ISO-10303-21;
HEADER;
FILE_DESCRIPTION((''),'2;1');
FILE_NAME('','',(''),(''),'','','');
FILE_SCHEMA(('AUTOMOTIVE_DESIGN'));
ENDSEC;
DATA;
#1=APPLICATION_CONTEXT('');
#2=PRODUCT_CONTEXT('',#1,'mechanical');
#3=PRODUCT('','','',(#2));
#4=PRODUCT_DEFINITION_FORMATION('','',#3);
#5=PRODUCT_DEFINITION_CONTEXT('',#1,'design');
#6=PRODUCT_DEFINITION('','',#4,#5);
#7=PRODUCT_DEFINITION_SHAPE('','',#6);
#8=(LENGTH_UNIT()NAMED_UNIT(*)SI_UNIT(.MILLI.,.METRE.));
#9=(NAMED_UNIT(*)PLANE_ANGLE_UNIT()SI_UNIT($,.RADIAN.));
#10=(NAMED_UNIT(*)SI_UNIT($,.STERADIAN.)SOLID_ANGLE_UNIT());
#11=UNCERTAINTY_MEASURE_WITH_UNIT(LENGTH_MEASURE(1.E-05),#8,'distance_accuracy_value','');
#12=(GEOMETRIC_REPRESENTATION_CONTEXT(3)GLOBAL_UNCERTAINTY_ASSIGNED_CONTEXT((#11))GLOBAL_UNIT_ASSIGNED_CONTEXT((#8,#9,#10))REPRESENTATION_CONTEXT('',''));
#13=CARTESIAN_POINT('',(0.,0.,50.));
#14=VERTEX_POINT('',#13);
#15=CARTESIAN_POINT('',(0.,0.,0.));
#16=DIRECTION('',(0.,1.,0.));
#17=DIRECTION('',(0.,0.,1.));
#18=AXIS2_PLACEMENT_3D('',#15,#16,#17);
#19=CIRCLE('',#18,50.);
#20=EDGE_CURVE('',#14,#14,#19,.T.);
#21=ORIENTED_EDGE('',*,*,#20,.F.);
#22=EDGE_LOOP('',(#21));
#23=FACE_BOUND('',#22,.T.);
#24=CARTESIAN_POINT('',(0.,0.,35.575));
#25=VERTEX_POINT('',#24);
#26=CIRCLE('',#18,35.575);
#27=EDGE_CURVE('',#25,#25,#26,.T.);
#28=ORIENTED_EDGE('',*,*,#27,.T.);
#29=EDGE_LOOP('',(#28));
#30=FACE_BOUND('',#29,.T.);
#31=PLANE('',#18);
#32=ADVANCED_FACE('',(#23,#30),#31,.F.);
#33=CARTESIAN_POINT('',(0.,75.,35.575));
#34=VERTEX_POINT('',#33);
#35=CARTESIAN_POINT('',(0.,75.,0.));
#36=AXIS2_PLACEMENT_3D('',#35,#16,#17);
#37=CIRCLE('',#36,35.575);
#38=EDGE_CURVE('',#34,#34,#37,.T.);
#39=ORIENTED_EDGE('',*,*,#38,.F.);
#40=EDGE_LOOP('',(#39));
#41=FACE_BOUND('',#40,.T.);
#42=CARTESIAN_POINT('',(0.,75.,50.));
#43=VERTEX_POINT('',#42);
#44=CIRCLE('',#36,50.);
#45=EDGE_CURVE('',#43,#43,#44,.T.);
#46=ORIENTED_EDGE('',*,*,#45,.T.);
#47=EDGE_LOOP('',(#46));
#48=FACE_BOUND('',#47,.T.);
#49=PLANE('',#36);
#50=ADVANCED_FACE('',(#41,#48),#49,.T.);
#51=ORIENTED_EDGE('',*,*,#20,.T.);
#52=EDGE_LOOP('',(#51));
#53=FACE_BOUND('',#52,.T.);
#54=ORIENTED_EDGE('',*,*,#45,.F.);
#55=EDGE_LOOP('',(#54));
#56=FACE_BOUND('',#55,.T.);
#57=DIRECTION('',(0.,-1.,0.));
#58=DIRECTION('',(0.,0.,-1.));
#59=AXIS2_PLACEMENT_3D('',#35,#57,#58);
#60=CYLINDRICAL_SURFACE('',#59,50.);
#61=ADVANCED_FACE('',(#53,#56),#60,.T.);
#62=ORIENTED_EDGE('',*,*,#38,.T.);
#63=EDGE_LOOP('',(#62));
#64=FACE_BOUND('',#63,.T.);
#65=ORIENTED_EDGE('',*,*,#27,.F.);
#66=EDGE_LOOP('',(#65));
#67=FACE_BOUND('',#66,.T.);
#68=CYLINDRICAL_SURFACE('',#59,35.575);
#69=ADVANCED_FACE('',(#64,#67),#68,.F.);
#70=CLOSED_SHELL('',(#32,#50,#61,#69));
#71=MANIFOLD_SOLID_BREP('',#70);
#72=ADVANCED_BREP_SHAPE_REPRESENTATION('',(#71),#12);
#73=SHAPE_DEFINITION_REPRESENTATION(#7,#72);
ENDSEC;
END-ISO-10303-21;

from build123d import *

# Parameters (mm, degrees)
CROQUIS1_R              = 50
CROQUIS1_R_2            = 35.575
SALIENTE_EXTRUIR3_DEPTH = 75


with BuildPart() as part:
    # Croquis1 → Saliente-Extruir3 (new body)
    with BuildSketch(Plane(origin=(0, 0, 0), x_dir=(1, 0, 0), z_dir=(0, 1, 0))):
        with Locations(Location((0, 0, 0), (0, 0, 270))):
            Circle(CROQUIS1_R)
        with Locations(Location((0, 0, 0), (0, 0, 270))):
            Circle(CROQUIS1_R_2, mode=Mode.SUBTRACT)
    extrude(amount=SALIENTE_EXTRUIR3_DEPTH)


solid = part.part
